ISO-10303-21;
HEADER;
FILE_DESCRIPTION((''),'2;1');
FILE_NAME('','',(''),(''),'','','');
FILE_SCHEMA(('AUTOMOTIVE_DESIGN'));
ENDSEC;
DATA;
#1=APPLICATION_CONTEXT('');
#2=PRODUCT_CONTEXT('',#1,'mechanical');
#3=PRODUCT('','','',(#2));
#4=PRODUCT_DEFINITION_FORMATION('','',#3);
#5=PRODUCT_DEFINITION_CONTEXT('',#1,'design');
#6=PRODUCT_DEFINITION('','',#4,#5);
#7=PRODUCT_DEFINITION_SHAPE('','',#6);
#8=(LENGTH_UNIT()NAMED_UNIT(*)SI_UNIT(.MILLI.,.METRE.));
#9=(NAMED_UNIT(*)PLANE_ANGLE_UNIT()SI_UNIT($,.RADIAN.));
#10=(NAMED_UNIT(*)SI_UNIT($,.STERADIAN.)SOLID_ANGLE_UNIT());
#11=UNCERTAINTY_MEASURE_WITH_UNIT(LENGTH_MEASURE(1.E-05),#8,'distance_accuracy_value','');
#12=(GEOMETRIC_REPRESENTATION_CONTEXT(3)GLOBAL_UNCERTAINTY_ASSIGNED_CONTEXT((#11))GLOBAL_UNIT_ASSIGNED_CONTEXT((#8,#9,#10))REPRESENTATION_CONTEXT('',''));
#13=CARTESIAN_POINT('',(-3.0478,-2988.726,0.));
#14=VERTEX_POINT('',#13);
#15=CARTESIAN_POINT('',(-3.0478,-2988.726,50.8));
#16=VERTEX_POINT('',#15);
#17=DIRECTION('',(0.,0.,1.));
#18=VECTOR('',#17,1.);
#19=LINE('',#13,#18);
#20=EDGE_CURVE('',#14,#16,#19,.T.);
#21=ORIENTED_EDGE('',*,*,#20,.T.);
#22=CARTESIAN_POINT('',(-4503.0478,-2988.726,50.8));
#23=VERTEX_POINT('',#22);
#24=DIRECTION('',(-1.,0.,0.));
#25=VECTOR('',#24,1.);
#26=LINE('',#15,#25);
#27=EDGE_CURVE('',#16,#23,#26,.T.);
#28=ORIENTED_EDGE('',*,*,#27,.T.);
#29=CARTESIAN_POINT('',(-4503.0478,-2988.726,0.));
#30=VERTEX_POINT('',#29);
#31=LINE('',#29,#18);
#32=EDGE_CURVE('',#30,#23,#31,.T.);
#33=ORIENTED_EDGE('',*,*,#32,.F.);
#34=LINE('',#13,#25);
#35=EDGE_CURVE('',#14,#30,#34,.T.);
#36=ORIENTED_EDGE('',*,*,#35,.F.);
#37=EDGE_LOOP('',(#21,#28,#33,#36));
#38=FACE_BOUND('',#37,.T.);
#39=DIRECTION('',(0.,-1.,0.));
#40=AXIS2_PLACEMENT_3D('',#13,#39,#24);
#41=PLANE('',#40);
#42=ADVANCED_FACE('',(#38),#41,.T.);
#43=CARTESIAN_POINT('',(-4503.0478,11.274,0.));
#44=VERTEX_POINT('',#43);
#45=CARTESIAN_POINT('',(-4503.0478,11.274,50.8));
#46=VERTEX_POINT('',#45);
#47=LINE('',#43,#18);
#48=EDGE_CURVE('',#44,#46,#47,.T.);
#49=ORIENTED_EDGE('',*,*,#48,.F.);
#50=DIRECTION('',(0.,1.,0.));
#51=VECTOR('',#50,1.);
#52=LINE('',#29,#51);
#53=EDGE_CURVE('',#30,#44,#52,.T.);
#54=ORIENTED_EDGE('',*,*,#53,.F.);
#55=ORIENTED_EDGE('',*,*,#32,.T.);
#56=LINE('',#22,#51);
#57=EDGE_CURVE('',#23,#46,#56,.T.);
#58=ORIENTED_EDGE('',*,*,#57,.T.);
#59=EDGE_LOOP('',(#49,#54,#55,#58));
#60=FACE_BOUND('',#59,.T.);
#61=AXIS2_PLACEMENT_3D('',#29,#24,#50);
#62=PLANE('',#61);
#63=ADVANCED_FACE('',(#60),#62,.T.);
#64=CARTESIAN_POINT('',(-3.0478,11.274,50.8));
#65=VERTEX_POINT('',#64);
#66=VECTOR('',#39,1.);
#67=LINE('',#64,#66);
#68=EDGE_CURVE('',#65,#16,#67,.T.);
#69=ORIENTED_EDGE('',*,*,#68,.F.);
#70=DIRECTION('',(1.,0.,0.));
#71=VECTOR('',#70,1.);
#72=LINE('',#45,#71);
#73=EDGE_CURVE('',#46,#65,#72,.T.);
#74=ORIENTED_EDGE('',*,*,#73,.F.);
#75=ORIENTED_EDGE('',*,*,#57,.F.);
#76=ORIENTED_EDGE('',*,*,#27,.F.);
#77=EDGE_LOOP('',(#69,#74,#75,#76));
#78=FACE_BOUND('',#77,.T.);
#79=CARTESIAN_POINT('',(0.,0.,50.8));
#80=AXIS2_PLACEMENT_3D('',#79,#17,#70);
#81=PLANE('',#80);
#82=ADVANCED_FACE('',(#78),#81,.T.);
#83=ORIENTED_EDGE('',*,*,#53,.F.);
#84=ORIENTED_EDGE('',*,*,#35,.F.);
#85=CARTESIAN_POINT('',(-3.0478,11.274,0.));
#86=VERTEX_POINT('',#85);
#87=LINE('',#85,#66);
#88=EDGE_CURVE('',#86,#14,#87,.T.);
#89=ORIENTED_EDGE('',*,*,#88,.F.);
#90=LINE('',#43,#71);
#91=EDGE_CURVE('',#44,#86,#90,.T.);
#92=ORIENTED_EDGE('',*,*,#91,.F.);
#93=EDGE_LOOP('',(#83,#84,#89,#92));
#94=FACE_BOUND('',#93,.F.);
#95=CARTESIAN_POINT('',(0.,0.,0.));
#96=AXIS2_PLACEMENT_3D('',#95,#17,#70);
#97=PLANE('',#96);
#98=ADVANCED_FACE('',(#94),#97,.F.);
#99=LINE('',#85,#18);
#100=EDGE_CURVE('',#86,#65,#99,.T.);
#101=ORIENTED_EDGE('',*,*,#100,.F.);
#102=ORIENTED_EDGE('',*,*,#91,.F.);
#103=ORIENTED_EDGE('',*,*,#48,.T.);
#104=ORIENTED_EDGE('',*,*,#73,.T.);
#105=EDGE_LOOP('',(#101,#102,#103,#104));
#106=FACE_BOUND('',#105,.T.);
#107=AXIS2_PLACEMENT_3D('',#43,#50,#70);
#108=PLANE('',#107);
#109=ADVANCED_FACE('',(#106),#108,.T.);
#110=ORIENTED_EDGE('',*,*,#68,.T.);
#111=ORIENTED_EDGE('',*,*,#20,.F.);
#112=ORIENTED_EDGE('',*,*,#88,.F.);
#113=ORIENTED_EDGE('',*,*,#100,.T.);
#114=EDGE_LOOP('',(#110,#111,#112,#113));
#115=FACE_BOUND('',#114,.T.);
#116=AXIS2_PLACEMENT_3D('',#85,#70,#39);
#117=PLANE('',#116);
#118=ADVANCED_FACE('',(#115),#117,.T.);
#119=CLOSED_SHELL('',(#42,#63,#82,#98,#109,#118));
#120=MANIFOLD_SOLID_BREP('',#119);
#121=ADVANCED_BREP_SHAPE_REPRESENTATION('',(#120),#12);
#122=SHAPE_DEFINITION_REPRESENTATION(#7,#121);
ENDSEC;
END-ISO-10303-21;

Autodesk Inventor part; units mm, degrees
ref_plane "YZ Plane" through (0, 0, 0) normal (1, 0, 0) x (0, 1, 0)
ref_plane "XZ Plane" through (0, 0, 0) normal (0, 1, 0) x (-1, 0, 0)
ref_plane "XY Plane" through (0, 0, 0) normal (0, 0, 1) x (1, 0, 0)
sketch "Sketch1" plane through (0, 0, 0) normal (0, 0, 1) x (1, 0, 0)
  line L0 (-4503.0478, 11.274) -> (-3.0478, 11.274)
  line L1 (-3.0478, 11.274) -> (-3.0478, -2988.726)
  line L2 (-3.0478, -2988.726) -> (-4503.0478, -2988.726)
  line L3 (-4503.0478, -2988.726) -> (-4503.0478, 11.274)
  line L4 (-4503.0478, 11.274) -> (-3.0478, -2988.726) construction
  line L5 (-3.0478, 11.274) -> (-4503.0478, -2988.726) construction
  point P0 (0, 0)
  point P1 (-2253.0478, -1488.726)
  dimension "Largo" = 4500
  dimension "Alto" = 3000
extrude "Extrusion1" add sketch "Sketch1" along normal blind 50.8
equation "\"Largo\" = PL_EO"
equation "\"Alto\" = PA_EO"
equation "\"Espesor\" = PE_EO"
equation "\"PL_EO\" = 4500"
equation "\"PA_EO\" = 3000"
equation "\"PE_EO\" = 50.8"
equation "\"PE_N\" = 50.8"
equation "\"PE_S\" = 50.8"
equation "\"T_E\" = 50.8"
equation "\"lon_ve\" = 512.5"
equation "\"n_a\" = 3"
equation "\"t_a\" = 19.05"
equation "\"d_a\" = 128.125"
equation "\"lon_ho\" = 749"
equation "\"d_bor\" = 59.92"
equation "\"lon_gui\" = 187.25"
equation "\"esp_gui\" = 461.25"
equation "\"lon_ve2\" = 498.475"
equation "\"n_a2\" = 3"
equation "\"t_a2\" = 124.61875"
equation "\"d_a2\" = 124.61875"
equation "\"lon_ho2\" = 933.45"
equation "\"d_bor2\" = 74.676"
equation "\"lon_gui2\" = 233.3625"
equation "\"esp_gui2\" = 448.6275"
equation "\"UE_L\" = 2111"
equation "\"UE_A\" = 1025"
equation "\"UE_AN\" = 749"
equation "\"UC_L\" = 1314.45"
equation "\"UC_A\" = 996.95"
equation "\"UC_AN\" = 933.45"
equation "\"A_ET\" = 35"
equation "\"SEP_NS\" = 0"
equation "\"DSEG\" = 0"
equation "\"AEGEP_NS\" = 0"
equation "\"DNS\" = 749"
properties part number "Pared ESTE Y OESTE"
